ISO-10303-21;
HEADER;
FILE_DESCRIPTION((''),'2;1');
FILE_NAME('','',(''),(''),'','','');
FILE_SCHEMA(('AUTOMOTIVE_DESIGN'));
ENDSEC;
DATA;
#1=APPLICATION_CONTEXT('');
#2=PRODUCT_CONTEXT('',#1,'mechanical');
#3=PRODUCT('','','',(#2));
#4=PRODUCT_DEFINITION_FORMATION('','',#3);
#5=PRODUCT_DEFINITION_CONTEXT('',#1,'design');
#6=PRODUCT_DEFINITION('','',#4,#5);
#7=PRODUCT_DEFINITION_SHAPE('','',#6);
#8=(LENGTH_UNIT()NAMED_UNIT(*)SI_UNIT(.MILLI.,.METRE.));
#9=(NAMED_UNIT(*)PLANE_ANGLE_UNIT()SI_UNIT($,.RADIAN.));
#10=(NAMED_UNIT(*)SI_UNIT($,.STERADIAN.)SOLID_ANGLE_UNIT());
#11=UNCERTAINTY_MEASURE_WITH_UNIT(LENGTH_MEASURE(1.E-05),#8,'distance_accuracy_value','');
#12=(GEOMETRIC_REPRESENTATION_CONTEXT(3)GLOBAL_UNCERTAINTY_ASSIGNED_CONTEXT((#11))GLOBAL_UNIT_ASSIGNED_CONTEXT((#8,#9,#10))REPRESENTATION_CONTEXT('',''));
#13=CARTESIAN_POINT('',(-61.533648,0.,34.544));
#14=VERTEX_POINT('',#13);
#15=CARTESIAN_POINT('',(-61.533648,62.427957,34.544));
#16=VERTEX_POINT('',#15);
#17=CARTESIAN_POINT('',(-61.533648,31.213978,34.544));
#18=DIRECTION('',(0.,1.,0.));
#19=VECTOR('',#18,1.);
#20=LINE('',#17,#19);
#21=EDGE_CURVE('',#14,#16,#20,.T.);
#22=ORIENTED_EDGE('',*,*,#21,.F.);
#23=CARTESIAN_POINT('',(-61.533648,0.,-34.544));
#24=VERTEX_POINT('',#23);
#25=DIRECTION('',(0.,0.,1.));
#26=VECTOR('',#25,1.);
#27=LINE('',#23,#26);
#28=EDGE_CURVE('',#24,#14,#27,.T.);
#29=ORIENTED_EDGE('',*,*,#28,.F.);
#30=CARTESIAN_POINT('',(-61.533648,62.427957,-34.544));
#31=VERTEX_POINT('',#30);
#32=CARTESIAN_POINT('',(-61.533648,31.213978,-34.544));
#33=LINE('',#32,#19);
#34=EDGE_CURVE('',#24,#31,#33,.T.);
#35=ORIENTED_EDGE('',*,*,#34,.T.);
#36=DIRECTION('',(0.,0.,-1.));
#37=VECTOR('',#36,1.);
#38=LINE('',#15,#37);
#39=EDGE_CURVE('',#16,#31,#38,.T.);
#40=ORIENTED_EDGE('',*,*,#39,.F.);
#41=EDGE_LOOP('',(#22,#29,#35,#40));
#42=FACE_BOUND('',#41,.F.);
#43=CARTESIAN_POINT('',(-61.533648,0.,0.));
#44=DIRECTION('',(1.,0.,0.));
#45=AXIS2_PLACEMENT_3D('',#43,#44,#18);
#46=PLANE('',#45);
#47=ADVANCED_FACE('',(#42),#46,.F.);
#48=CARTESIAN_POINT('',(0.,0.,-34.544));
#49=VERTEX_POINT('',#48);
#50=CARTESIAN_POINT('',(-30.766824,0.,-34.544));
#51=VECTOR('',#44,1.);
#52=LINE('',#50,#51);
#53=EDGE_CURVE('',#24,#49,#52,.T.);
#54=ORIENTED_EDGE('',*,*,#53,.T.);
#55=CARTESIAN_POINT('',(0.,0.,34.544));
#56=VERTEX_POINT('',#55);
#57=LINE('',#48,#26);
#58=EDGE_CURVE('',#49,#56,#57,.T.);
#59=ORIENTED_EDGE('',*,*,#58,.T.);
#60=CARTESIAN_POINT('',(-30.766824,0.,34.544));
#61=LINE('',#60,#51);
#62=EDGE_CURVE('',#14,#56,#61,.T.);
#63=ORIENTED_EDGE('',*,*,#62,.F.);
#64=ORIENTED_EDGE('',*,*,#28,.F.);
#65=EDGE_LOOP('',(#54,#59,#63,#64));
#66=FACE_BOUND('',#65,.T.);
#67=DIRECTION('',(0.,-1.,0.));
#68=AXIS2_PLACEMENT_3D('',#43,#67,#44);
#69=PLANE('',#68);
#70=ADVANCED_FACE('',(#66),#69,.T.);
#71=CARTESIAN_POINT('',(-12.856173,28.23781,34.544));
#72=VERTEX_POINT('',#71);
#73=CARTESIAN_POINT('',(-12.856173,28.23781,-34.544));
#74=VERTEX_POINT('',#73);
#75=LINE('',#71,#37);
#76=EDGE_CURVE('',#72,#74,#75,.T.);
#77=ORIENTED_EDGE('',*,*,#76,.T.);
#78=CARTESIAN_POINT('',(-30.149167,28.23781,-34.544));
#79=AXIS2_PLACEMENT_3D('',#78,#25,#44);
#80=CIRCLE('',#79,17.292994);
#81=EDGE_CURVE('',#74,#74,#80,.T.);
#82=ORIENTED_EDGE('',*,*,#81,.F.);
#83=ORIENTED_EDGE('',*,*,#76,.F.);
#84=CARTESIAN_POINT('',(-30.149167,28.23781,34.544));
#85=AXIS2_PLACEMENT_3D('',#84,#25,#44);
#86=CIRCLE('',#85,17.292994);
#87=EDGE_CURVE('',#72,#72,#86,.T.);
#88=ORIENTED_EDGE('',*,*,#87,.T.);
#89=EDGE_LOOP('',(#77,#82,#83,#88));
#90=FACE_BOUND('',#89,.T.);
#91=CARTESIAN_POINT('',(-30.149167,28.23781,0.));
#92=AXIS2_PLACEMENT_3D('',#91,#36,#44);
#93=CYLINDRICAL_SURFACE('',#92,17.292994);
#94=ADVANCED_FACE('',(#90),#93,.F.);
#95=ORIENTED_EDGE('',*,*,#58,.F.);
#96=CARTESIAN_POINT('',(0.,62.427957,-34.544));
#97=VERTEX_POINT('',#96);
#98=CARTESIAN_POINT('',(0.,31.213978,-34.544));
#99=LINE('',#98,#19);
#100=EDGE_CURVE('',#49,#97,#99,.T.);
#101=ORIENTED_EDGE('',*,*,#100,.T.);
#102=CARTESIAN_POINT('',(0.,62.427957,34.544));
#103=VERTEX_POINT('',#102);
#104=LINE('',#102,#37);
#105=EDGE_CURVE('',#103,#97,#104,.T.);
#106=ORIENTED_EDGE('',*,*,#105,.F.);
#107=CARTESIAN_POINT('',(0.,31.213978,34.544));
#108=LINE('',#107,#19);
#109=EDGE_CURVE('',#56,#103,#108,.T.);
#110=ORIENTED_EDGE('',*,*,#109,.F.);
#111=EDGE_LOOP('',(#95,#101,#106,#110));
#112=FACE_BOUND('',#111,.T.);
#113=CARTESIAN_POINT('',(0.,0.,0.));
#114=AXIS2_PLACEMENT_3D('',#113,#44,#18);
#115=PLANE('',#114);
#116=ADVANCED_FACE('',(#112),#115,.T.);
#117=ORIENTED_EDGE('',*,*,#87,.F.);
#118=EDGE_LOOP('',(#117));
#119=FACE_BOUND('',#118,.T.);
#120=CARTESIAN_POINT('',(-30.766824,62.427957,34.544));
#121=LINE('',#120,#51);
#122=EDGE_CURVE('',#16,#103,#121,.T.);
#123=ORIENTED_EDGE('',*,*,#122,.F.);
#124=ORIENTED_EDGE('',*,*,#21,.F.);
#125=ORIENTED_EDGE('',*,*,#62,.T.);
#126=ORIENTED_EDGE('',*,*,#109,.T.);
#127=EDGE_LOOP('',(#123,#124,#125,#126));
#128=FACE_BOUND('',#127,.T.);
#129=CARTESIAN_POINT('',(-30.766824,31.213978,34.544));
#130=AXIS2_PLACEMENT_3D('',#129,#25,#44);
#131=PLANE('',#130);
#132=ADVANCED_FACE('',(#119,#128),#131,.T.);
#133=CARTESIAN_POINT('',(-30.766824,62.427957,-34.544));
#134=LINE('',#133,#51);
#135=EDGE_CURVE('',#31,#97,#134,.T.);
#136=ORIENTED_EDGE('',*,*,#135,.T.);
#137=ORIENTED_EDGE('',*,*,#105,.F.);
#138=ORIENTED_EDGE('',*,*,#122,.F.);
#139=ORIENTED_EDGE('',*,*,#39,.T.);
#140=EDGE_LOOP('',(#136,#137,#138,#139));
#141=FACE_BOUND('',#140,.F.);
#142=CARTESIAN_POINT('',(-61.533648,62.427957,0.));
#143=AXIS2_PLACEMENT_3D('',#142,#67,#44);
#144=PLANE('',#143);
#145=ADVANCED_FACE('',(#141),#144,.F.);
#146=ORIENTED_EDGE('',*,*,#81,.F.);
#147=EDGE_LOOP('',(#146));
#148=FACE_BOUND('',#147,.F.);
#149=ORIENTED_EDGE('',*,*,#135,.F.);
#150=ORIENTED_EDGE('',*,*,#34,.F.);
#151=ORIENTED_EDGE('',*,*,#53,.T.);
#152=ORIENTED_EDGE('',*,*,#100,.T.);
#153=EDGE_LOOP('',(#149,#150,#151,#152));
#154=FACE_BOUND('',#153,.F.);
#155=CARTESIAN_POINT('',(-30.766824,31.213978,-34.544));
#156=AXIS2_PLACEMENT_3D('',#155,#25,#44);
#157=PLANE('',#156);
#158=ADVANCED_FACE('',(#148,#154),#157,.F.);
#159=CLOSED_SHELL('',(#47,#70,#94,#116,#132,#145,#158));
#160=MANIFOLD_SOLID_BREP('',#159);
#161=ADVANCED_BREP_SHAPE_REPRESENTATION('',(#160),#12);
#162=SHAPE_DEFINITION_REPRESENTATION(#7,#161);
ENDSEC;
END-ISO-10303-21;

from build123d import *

# Parameters (mm, degrees)
F0_W     = 61.533649
F0_H     = 62.427957
F0_R     = 17.292994
F1_DEPTH = 34.544


with BuildPart() as f1:
    # F0 (on Top) → F1 (new body, symmetric)
    with BuildSketch(Plane.XY):
        with Locations((-30.766824, 31.213978)):
            Rectangle(F0_W, F0_H)
        with Locations((-30.149167, 28.23781)):
            Circle(F0_R, mode=Mode.SUBTRACT)
    extrude(amount=F1_DEPTH, both=True)


solid = f1.part
